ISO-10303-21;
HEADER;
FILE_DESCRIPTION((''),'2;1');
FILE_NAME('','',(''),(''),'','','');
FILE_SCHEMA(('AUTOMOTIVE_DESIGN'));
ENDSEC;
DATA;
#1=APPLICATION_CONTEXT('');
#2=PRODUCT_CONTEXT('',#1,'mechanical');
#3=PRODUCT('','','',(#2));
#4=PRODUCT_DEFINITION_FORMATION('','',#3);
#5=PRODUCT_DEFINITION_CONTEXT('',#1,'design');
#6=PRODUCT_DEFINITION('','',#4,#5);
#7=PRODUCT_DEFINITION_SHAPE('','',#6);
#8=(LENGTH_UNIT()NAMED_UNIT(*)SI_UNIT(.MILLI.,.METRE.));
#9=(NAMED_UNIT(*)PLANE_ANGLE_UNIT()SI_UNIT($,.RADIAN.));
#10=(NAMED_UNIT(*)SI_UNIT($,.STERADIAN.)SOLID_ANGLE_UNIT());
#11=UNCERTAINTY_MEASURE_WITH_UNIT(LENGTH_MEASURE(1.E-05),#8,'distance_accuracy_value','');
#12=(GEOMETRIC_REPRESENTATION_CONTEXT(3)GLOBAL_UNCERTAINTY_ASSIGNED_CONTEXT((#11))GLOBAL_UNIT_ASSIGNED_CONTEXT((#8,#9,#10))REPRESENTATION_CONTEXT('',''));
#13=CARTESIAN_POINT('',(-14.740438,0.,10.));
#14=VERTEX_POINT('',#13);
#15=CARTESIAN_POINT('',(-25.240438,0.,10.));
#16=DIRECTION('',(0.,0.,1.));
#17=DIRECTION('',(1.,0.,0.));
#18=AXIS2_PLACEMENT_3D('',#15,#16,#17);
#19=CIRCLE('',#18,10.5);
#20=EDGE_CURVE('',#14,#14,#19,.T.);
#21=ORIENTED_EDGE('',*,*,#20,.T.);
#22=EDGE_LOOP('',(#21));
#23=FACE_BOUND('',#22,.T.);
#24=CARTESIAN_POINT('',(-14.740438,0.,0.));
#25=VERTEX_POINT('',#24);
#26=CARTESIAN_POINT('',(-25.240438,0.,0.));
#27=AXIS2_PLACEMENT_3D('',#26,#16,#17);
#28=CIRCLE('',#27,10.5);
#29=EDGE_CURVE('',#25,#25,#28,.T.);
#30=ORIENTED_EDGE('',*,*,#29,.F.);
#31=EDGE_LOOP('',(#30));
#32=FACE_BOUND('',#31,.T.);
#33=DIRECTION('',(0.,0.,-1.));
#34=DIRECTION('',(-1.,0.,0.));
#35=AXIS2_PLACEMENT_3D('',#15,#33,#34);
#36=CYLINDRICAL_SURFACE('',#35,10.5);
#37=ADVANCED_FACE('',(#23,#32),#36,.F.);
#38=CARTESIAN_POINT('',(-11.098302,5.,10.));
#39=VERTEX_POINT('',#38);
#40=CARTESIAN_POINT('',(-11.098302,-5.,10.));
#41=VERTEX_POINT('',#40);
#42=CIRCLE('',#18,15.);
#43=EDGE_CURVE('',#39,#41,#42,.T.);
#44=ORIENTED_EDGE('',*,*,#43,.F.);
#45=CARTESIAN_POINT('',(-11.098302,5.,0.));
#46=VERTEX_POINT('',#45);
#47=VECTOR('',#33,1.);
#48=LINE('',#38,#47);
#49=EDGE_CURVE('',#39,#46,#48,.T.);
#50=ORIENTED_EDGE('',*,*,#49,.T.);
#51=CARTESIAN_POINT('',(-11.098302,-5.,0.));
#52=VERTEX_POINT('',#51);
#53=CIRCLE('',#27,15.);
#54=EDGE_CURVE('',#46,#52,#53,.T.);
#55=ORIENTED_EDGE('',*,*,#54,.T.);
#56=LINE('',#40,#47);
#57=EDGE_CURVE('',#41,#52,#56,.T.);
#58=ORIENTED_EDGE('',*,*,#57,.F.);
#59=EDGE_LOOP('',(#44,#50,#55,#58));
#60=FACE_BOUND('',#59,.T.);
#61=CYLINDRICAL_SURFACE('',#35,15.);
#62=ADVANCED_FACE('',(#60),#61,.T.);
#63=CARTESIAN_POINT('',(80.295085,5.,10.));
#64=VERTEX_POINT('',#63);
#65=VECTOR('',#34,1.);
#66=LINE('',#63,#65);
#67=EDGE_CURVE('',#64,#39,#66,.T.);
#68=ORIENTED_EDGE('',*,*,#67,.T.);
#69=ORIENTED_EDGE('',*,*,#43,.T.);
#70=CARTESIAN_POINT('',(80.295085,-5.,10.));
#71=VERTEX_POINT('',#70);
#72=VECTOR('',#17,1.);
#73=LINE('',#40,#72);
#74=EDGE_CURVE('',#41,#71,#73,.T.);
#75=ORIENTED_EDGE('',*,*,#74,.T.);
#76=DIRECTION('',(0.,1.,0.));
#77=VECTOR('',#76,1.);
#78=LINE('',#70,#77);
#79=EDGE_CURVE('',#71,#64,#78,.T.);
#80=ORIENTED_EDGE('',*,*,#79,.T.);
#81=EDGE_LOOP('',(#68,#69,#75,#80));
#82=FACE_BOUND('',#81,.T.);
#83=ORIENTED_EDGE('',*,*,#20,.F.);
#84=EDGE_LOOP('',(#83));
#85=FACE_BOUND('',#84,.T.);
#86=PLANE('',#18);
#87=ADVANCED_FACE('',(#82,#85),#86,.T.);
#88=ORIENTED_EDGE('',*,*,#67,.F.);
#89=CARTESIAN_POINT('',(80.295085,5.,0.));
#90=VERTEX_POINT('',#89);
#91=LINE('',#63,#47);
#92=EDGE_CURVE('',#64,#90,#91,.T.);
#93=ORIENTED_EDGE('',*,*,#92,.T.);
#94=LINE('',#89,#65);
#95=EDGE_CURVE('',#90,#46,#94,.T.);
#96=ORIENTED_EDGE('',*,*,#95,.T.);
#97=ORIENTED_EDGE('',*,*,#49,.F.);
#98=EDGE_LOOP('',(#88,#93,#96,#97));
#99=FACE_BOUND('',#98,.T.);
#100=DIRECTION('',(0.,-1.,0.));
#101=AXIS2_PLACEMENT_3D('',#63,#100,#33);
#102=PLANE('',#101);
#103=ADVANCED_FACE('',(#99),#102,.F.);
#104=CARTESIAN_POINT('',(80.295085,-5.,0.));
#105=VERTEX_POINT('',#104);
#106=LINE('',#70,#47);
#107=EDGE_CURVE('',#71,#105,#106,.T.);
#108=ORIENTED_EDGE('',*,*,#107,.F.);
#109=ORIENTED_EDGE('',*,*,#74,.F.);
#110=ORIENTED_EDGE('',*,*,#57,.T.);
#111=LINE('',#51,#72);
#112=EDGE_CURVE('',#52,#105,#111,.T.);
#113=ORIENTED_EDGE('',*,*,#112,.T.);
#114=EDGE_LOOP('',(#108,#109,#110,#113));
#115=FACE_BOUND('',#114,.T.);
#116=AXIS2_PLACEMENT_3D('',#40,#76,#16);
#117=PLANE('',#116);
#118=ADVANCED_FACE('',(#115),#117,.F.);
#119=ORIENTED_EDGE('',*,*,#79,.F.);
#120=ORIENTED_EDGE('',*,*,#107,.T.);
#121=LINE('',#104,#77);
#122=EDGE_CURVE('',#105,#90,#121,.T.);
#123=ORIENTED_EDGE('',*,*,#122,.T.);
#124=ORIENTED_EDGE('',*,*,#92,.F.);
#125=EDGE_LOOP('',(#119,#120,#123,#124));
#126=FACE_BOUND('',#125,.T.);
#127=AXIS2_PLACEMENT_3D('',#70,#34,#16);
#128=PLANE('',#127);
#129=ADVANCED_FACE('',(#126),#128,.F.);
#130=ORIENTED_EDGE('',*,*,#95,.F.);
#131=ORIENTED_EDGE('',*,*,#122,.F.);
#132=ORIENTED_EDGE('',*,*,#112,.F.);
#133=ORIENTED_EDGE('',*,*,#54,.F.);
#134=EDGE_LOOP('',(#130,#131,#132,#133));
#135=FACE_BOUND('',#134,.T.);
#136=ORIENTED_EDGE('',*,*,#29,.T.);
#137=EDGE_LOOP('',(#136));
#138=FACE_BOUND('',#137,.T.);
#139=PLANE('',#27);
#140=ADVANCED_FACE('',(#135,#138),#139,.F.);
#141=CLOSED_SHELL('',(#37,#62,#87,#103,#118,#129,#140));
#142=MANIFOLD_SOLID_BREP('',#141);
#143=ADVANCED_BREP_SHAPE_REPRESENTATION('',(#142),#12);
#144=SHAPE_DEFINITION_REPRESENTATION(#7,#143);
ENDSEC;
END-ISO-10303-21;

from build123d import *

# Parameters (mm, degrees)
IZIM1_R                     = 10.5
Y_KSEKLIK_EKSTR_ZYON1_DEPTH = 10


with BuildPart() as part:
    # Çizim1 → Yükseklik-Ekstrüzyon1 (new body)
    with BuildSketch(Plane.XY):
        with BuildLine():
            Line((80.295084686, 5), (-11.098302389, 5))
            ThreePointArc((-11.098302389, 5), (-40.240438013, 0), (-11.098302389, -5))
            Line((-11.098302389, -5), (80.295084686, -5))
            Line((80.295084686, -5), (80.295084686, 5))
        make_face()
        with Locations((-25.240438013, 0)):
            Circle(IZIM1_R, mode=Mode.SUBTRACT)
    extrude(amount=Y_KSEKLIK_EKSTR_ZYON1_DEPTH)


solid = part.part
